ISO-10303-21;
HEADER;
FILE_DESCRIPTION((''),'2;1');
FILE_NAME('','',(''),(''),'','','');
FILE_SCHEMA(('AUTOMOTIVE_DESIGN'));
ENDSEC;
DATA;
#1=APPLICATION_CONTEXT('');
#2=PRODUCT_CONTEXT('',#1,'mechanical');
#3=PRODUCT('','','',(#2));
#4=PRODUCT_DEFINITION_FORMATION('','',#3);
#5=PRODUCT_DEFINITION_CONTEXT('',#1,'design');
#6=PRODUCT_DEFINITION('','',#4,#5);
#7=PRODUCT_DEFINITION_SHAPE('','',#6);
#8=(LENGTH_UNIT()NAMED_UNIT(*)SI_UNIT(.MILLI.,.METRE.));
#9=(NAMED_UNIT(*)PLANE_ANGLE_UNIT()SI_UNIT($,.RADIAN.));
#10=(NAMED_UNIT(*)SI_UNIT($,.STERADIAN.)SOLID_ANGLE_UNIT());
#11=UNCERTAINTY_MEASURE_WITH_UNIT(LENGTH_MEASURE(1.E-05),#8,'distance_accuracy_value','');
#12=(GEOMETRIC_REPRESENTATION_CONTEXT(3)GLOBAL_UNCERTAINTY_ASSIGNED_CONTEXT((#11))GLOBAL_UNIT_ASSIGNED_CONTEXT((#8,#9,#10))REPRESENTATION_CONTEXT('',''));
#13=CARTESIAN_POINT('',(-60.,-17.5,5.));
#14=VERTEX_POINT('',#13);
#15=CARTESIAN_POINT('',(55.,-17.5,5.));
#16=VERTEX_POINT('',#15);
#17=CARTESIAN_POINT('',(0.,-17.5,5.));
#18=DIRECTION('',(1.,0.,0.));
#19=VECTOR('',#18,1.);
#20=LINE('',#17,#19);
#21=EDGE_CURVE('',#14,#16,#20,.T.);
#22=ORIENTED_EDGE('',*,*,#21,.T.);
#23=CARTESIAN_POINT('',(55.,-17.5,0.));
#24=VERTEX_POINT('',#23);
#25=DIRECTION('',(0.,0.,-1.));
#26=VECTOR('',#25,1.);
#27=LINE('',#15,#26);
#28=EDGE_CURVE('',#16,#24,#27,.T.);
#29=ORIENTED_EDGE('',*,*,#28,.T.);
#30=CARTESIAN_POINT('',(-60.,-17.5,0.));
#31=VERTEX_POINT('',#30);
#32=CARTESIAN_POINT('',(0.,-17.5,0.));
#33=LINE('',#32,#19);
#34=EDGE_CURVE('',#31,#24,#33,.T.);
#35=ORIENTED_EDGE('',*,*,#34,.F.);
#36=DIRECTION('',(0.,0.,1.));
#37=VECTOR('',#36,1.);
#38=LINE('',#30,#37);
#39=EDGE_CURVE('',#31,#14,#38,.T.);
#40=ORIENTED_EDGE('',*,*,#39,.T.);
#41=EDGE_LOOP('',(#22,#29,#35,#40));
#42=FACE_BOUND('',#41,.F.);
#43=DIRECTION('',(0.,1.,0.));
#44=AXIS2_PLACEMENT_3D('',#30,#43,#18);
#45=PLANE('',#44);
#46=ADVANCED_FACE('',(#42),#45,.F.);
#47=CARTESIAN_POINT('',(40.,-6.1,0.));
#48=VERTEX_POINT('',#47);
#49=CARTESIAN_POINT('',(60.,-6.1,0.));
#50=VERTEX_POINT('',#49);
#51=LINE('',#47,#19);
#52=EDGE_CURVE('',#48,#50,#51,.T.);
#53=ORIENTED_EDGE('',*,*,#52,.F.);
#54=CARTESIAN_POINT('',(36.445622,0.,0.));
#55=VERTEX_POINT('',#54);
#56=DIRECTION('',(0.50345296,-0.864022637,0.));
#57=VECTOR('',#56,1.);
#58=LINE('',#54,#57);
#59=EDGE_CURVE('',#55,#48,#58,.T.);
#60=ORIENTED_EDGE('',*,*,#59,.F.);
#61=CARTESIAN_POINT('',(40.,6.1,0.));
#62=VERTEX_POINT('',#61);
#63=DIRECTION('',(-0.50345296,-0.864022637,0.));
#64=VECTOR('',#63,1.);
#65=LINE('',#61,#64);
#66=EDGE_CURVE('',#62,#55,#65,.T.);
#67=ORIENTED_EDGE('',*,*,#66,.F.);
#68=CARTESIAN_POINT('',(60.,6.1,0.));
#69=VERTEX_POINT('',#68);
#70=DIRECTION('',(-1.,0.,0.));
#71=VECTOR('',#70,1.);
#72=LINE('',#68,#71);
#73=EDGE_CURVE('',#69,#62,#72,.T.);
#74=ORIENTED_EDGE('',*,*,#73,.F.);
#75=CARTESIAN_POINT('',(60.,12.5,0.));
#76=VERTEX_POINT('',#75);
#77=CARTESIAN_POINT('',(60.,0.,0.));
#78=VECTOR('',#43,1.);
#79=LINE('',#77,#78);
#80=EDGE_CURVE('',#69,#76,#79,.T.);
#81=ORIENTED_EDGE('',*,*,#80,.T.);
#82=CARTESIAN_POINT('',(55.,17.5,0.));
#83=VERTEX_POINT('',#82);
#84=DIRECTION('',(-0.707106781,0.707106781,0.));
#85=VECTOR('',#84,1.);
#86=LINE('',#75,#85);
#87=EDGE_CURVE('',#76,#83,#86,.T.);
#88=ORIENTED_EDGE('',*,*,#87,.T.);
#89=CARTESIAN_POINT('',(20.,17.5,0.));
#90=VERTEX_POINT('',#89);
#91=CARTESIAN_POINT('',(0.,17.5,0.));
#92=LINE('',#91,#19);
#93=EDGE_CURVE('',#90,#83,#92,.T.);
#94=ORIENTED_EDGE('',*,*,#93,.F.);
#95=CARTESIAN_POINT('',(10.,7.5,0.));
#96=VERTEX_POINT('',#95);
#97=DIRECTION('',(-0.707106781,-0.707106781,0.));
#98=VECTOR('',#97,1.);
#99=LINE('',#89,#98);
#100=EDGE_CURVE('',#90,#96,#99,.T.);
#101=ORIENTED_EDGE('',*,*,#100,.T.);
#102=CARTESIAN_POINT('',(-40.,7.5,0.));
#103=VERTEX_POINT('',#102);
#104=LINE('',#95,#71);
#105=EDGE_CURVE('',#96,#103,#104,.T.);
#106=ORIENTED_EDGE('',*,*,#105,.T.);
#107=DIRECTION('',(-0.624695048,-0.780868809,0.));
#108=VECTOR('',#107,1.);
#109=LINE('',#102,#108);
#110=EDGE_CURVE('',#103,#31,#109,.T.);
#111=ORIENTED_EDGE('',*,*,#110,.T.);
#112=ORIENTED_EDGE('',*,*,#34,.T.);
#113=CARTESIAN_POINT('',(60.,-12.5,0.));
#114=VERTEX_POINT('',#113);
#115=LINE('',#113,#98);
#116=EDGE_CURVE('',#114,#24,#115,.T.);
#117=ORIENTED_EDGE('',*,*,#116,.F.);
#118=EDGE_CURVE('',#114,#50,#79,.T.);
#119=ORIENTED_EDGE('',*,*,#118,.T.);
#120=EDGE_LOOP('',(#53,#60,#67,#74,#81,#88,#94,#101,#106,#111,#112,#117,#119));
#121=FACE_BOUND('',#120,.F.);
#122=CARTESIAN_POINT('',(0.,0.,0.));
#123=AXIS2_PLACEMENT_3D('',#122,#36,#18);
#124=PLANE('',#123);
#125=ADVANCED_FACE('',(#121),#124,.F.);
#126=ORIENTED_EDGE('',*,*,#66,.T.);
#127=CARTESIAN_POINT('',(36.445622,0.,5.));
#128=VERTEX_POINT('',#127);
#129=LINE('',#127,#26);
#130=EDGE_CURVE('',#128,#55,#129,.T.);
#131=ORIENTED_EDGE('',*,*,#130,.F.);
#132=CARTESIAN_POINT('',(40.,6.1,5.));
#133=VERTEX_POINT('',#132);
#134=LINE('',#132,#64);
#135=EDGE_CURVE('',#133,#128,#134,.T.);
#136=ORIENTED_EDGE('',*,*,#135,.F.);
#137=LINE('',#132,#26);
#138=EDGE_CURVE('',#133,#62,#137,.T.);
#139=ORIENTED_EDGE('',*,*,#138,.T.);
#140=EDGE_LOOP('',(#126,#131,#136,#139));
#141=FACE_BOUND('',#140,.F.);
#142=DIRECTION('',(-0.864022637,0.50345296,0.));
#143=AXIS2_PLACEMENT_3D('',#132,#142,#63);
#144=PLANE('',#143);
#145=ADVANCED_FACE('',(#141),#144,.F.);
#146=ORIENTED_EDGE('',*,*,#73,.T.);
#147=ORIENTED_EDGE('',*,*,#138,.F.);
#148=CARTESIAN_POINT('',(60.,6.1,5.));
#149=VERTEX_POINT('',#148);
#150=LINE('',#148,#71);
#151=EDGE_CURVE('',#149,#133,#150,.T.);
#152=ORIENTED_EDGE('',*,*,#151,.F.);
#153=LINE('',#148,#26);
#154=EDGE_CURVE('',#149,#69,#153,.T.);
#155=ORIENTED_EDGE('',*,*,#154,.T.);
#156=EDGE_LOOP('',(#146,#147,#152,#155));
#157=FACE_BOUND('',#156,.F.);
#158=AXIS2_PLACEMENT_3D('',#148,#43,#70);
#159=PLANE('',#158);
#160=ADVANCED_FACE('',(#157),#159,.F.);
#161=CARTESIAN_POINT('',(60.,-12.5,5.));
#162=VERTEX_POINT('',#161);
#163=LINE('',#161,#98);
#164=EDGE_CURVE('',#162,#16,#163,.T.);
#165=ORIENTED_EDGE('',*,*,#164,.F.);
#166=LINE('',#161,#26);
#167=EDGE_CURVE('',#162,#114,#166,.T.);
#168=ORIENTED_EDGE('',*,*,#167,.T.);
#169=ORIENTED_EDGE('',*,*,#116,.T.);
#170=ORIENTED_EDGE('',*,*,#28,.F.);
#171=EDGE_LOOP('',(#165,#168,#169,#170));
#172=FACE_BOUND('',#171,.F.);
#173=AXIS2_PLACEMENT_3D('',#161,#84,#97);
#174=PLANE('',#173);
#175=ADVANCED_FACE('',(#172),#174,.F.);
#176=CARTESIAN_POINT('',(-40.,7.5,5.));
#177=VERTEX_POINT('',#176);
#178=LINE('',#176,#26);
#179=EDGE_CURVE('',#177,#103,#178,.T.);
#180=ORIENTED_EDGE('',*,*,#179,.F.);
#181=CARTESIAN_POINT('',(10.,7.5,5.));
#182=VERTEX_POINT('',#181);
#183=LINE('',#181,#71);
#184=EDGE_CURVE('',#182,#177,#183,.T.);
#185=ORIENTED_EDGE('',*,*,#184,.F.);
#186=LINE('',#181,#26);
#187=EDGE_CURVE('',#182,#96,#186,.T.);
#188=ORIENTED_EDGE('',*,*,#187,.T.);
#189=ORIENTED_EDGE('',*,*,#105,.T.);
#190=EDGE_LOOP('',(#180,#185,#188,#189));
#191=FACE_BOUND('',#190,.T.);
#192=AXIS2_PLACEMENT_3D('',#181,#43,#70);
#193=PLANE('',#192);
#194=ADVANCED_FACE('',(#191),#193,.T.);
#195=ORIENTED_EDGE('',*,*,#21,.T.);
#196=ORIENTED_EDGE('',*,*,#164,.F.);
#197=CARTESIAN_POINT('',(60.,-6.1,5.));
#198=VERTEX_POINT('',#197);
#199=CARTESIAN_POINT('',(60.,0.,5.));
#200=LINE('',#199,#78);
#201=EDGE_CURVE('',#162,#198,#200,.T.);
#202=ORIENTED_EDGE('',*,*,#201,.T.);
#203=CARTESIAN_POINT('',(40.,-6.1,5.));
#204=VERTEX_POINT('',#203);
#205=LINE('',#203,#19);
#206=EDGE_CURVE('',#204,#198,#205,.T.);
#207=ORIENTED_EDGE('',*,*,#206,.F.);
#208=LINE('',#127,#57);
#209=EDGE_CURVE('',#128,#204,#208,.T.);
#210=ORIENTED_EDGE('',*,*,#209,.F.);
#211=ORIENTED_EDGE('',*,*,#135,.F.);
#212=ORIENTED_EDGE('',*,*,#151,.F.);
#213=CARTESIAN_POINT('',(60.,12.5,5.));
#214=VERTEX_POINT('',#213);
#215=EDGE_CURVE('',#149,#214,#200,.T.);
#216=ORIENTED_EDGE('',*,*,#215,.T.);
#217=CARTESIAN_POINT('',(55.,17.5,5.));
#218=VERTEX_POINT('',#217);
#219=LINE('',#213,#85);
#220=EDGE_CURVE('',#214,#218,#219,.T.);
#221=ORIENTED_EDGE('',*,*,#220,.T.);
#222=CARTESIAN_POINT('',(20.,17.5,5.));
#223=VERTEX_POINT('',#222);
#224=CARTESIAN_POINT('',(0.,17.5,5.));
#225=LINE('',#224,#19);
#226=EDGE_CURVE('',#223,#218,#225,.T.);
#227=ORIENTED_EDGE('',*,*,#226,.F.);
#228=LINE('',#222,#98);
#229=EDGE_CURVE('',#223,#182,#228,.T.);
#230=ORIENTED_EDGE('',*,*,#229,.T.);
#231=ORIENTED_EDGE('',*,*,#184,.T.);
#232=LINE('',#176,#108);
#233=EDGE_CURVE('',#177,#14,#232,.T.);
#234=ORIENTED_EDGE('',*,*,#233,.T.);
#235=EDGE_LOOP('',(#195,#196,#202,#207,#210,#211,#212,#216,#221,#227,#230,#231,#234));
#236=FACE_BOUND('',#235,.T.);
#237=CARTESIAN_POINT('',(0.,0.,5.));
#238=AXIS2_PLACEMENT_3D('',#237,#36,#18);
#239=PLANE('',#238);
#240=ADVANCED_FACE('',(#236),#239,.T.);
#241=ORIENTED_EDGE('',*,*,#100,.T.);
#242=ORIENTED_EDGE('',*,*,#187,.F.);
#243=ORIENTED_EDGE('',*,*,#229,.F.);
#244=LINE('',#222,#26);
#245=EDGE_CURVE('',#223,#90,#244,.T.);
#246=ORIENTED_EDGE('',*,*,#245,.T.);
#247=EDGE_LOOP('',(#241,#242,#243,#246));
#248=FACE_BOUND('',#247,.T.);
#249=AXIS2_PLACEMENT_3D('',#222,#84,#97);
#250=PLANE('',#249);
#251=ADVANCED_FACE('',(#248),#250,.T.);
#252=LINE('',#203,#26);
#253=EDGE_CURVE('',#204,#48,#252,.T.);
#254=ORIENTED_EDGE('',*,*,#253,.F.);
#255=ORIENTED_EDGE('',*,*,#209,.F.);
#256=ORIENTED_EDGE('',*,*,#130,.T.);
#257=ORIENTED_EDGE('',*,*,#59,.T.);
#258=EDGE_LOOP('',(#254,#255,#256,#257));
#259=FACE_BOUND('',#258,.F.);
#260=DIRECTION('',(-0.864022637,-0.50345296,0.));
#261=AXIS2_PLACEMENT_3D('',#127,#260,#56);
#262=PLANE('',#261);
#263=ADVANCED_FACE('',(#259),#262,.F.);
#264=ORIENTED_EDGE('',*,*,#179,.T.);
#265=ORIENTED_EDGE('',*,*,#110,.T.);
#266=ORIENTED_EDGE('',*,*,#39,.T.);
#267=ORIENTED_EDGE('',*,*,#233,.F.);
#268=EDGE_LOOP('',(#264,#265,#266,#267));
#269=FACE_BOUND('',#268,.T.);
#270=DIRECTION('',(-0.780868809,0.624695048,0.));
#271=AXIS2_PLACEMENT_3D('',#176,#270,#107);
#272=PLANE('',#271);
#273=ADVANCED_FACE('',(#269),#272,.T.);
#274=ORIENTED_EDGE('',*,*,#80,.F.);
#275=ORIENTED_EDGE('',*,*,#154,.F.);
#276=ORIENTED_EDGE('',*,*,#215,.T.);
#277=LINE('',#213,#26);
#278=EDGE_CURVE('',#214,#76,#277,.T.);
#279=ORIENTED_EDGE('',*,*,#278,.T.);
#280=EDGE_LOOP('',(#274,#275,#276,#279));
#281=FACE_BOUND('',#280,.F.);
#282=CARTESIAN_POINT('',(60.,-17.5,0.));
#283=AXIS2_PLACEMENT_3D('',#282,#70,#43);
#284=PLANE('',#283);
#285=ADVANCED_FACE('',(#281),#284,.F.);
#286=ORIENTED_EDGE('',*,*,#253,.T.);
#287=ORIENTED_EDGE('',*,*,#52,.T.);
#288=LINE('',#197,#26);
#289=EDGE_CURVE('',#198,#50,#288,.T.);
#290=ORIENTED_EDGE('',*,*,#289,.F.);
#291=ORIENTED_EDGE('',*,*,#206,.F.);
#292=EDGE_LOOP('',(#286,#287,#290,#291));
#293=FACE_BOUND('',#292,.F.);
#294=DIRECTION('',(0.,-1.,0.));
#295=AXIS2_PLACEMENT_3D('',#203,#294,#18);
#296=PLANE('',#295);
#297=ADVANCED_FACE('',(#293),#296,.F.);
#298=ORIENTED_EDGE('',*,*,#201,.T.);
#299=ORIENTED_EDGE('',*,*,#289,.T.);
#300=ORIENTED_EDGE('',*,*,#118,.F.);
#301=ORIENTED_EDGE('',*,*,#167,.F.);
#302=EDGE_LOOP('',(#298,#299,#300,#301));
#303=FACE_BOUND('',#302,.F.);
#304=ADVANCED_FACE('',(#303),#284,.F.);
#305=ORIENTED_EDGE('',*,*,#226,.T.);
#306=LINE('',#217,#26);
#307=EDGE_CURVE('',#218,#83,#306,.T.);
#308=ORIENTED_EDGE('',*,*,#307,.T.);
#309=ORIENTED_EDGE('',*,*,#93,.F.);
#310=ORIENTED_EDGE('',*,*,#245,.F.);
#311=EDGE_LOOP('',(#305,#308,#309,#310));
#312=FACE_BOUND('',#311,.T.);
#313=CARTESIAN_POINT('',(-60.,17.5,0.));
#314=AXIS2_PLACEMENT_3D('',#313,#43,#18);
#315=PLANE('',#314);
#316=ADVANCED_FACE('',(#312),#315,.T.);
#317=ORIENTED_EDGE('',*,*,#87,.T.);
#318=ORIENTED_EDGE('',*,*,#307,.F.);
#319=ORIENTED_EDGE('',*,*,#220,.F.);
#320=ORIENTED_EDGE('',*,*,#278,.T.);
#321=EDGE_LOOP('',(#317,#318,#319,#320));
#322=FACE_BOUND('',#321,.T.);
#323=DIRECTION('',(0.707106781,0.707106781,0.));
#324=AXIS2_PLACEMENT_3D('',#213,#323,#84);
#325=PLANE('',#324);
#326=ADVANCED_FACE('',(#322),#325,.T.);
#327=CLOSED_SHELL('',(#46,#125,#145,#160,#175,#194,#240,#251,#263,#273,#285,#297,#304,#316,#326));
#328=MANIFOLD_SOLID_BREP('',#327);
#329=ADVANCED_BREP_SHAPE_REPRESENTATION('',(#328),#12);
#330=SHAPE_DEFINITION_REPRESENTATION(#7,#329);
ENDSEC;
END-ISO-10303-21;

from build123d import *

# Parameters (mm, degrees)
SKETCH_W        = 120
SKETCH_H        = 35
PAD_DEPTH       = 5
POCKET_DEPTH    = 5
POCKET001_DEPTH = 5


with BuildPart() as part:
    # Sketch → Pad (new body)
    with BuildSketch(Plane.XY):
        Rectangle(SKETCH_W, SKETCH_H)
    extrude(amount=PAD_DEPTH)

    # Sketch001 (on Face6 of Pad) → Pocket (cut)
    with BuildSketch(Plane.XY.offset(5)):
        Polygon((40, -6.1), (60, -6.1), (60, 6.1), (40, 6.1), (36.445622, 0), align=None)
    extrude(amount=-POCKET_DEPTH, mode=Mode.SUBTRACT)

    # Sketch002 (on Face5 of Pocket) → Pocket001 (cut)
    with BuildSketch(Plane.XY.offset(5)):
        Polygon((20, 17.5), (10, 7.5), (-40, 7.5), (-60, -17.5), (-60, 17.5), align=None)
        Polygon((60, 17.5), (60, 12.5), (55, 17.5), align=None)
        Polygon((60, -17.5), (60, -12.5), (55, -17.5), align=None)
    extrude(amount=-POCKET001_DEPTH, mode=Mode.SUBTRACT)


solid = part.part
